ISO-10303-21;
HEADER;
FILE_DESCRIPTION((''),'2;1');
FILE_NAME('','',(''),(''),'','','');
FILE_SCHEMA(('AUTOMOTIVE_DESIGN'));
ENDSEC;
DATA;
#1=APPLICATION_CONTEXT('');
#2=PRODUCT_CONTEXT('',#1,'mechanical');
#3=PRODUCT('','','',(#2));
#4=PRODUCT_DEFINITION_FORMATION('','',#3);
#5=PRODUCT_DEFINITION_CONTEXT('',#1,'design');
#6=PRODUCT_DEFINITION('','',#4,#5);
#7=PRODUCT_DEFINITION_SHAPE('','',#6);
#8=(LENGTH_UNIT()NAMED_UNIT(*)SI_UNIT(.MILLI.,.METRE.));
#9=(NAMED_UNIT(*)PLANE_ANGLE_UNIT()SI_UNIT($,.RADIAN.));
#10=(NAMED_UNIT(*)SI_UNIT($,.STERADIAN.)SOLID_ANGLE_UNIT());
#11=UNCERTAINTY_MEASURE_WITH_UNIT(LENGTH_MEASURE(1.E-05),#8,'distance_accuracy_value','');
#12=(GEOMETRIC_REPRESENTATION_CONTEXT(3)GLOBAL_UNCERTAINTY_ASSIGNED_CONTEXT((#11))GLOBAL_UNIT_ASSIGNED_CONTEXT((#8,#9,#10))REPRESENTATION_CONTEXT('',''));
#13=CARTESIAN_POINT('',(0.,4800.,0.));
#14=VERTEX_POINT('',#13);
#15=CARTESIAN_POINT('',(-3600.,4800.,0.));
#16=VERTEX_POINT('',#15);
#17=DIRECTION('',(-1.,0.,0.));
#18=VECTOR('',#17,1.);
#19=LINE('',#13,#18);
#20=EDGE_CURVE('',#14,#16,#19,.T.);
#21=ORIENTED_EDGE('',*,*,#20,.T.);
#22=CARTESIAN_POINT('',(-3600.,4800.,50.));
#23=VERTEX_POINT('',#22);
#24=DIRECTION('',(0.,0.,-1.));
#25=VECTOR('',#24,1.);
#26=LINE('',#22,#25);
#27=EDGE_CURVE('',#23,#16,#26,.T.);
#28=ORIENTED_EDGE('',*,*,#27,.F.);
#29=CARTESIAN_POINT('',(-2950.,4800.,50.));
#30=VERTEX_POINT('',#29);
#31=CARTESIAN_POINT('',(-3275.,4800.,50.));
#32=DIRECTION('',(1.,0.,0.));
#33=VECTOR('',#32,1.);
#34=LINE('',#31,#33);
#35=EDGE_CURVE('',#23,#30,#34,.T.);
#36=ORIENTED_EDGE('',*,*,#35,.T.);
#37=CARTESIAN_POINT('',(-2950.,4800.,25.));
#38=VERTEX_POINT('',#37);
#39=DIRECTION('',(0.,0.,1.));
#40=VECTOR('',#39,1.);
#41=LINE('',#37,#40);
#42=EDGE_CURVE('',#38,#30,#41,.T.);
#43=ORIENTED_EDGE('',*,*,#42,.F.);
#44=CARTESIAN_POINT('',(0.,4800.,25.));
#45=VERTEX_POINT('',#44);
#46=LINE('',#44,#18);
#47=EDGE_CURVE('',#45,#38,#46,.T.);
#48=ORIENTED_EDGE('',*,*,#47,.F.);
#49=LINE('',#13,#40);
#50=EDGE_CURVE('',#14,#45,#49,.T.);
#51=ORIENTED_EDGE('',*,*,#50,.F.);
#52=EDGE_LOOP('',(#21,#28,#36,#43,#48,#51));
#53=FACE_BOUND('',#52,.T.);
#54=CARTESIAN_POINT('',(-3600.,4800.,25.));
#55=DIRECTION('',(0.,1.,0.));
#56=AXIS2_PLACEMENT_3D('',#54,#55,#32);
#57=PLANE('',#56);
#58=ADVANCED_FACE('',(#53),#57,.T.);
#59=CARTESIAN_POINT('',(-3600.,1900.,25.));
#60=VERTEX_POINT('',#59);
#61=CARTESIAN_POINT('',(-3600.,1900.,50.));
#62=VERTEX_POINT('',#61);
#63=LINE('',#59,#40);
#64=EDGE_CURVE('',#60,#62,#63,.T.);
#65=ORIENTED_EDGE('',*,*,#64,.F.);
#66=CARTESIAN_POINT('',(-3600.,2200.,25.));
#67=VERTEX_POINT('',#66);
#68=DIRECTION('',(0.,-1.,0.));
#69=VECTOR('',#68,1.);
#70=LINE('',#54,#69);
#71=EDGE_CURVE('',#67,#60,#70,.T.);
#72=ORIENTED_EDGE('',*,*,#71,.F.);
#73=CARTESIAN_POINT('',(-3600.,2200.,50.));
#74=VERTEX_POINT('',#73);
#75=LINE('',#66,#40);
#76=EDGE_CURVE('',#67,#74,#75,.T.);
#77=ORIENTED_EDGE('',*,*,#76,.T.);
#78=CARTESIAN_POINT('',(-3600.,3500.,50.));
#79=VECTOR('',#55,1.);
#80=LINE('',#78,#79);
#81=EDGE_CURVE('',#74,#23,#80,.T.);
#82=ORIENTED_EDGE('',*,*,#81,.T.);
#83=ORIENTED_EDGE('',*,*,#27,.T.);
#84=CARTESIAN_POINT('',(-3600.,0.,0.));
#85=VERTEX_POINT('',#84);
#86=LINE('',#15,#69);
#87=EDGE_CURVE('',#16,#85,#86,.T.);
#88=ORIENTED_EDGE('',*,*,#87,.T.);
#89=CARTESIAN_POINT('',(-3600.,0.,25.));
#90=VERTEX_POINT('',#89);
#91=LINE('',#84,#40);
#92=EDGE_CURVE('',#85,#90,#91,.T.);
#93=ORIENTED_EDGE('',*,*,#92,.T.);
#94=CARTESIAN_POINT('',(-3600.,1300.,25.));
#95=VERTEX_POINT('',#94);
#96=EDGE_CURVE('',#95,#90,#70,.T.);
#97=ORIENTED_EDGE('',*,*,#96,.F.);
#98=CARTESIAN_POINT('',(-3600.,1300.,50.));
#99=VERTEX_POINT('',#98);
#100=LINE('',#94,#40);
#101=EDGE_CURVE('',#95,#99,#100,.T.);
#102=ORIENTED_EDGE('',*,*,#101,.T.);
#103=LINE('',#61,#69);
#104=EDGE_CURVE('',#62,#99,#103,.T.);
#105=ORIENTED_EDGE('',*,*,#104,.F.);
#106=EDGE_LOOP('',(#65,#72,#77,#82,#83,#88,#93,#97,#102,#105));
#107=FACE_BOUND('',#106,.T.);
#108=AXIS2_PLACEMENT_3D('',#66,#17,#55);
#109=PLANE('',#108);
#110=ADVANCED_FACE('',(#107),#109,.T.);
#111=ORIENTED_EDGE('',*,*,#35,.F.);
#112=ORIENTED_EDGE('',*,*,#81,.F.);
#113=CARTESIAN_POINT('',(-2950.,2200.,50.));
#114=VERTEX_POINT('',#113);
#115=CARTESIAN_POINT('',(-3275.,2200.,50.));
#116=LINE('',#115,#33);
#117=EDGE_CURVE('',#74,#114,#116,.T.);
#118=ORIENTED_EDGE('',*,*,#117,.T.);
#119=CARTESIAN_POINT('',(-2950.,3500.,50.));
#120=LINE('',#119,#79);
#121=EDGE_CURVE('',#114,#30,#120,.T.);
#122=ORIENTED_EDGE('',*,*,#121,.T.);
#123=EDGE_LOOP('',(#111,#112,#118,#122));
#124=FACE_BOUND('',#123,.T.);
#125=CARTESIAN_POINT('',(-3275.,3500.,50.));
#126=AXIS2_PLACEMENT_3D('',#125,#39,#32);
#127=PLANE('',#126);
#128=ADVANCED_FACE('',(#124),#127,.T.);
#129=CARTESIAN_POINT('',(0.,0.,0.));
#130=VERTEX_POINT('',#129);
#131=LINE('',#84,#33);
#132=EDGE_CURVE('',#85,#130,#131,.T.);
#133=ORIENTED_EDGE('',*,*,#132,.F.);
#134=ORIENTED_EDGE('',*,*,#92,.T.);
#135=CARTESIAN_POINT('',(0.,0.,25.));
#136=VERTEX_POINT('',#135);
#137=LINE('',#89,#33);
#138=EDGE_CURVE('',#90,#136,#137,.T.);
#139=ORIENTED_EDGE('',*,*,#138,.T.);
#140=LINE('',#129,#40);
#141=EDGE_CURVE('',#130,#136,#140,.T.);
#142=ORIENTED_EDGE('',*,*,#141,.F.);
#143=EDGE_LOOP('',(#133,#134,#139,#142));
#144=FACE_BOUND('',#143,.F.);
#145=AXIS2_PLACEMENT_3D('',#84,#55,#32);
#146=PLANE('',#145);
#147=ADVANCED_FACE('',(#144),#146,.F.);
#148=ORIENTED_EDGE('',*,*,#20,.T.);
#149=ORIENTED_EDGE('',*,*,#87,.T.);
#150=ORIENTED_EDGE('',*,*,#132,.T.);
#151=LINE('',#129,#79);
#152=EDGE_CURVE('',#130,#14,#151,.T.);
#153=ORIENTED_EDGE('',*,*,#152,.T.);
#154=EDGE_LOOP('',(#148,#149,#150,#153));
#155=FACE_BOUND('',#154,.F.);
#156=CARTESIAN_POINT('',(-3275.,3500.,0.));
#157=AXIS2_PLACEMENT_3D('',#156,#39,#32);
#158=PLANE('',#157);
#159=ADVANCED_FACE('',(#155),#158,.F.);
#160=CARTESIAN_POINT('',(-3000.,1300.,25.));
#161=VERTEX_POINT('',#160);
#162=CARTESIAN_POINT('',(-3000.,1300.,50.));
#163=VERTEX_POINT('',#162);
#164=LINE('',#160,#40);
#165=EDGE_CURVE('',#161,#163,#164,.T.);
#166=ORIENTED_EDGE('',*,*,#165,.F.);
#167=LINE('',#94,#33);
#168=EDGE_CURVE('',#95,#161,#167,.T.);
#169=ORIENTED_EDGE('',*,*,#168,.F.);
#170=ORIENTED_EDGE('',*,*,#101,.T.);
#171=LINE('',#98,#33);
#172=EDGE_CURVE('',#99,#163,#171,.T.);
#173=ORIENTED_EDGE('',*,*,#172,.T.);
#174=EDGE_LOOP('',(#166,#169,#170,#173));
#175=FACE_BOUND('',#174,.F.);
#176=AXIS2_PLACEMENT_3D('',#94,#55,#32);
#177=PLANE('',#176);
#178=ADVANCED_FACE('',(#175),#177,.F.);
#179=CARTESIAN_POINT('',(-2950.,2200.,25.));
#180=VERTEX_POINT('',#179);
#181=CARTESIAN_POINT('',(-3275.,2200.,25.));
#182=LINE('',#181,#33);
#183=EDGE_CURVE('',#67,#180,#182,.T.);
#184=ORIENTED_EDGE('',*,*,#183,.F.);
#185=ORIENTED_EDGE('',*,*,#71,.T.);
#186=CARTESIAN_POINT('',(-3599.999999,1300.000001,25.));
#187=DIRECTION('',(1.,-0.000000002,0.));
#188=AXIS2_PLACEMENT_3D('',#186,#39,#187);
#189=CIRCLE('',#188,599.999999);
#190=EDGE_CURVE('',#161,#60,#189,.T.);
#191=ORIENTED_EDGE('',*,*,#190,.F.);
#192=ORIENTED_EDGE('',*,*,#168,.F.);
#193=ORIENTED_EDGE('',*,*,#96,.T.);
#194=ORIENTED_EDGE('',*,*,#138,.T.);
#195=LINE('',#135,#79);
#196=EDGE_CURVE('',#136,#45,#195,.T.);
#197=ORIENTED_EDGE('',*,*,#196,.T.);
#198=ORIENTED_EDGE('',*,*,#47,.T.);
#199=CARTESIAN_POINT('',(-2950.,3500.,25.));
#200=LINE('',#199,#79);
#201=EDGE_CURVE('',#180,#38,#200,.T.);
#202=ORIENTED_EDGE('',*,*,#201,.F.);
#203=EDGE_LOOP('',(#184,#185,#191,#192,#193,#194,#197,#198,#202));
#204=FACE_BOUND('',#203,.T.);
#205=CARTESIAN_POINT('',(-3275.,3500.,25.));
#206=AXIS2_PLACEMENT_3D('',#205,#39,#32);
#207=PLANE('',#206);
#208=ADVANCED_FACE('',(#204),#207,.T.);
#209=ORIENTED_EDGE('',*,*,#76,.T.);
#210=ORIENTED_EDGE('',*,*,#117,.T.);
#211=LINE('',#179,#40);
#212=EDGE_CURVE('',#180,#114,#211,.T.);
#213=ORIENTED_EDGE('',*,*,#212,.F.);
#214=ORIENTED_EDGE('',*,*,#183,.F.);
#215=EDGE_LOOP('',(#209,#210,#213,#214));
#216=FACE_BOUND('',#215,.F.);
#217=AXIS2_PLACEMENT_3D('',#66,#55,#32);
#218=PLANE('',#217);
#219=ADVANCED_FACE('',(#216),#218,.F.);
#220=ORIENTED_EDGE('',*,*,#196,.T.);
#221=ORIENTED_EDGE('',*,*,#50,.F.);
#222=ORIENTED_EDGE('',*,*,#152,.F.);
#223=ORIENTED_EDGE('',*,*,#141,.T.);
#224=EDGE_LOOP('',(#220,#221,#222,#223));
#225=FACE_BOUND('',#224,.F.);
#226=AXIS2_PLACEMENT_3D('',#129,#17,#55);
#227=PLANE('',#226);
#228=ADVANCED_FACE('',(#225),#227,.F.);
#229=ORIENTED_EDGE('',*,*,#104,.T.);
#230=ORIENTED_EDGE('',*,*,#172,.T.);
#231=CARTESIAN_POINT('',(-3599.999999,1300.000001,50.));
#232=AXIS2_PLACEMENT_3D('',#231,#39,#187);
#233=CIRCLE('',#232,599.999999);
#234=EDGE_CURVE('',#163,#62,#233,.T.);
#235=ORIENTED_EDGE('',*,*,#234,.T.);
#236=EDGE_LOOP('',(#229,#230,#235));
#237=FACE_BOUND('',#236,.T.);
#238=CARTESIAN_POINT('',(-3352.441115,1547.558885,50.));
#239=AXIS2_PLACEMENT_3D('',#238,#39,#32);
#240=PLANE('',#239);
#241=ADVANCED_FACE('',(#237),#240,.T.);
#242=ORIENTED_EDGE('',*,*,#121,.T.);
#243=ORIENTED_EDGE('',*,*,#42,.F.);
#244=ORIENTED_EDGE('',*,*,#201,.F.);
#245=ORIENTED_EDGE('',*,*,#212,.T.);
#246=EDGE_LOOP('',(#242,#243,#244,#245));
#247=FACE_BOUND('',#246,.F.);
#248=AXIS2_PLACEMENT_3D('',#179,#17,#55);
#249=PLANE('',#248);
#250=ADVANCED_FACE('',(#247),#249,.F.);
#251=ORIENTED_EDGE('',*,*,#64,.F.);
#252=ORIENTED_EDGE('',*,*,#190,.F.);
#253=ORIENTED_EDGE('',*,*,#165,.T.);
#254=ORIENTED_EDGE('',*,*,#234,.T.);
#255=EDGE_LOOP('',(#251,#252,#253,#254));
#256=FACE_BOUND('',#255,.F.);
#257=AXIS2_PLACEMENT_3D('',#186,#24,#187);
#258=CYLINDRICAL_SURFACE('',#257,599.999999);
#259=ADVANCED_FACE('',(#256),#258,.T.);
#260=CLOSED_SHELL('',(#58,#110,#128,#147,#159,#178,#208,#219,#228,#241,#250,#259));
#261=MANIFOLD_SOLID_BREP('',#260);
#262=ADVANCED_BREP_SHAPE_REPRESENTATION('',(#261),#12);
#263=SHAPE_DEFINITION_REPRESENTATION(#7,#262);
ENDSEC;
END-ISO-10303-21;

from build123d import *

# Parameters (mm, degrees)
F0_W     = 650
F0_H     = 2600
F1_DEPTH = 25
F2_W     = 650
F2_H     = 2600
F3_DEPTH = 25


with BuildPart() as f1:
    # F0 (on Top) → F1 (new body)
    with BuildSketch(Plane.XY):
        with Locations((-3275, 3500)):
            Rectangle(F0_W, F0_H)
        with BuildLine():
            Line((-3600, 1900), (-3600, 1300))
            Line((-3600, 1300), (-3000, 1300))
            ThreePointArc((-3000, 1300), (-3175.735931, 1724.264069), (-3600, 1900))
        make_face()
        with BuildLine():
            Line((-3600, 0), (0, 0))
            Line((0, 0), (0, 4800))
            Line((0, 4800), (-2950, 4800))
            Line((-2950, 4800), (-2950, 2200))
            Line((-2950, 2200), (-3600, 2200))
            Line((-3600, 2200), (-3600, 1900))
            ThreePointArc((-3600, 1900), (-3175.735931, 1724.264069), (-3000, 1300))
            Line((-3000, 1300), (-3600, 1300))
            Line((-3600, 1300), (-3600, 0))
        make_face()
    extrude(amount=F1_DEPTH)

    # F2 (on face) → F3 (join)
    with BuildSketch(Plane.XY.offset(25)):
        with Locations((-3275, 3500)):
            Rectangle(F2_W, F2_H)
        with BuildLine():
            ThreePointArc((-3000, 1300), (-3175.735931, 1724.264069), (-3600, 1900))
            Line((-3600, 1900), (-3600, 1300))
            Line((-3600, 1300), (-3000, 1300))
        make_face()
    extrude(amount=F3_DEPTH)


solid = f1.part
